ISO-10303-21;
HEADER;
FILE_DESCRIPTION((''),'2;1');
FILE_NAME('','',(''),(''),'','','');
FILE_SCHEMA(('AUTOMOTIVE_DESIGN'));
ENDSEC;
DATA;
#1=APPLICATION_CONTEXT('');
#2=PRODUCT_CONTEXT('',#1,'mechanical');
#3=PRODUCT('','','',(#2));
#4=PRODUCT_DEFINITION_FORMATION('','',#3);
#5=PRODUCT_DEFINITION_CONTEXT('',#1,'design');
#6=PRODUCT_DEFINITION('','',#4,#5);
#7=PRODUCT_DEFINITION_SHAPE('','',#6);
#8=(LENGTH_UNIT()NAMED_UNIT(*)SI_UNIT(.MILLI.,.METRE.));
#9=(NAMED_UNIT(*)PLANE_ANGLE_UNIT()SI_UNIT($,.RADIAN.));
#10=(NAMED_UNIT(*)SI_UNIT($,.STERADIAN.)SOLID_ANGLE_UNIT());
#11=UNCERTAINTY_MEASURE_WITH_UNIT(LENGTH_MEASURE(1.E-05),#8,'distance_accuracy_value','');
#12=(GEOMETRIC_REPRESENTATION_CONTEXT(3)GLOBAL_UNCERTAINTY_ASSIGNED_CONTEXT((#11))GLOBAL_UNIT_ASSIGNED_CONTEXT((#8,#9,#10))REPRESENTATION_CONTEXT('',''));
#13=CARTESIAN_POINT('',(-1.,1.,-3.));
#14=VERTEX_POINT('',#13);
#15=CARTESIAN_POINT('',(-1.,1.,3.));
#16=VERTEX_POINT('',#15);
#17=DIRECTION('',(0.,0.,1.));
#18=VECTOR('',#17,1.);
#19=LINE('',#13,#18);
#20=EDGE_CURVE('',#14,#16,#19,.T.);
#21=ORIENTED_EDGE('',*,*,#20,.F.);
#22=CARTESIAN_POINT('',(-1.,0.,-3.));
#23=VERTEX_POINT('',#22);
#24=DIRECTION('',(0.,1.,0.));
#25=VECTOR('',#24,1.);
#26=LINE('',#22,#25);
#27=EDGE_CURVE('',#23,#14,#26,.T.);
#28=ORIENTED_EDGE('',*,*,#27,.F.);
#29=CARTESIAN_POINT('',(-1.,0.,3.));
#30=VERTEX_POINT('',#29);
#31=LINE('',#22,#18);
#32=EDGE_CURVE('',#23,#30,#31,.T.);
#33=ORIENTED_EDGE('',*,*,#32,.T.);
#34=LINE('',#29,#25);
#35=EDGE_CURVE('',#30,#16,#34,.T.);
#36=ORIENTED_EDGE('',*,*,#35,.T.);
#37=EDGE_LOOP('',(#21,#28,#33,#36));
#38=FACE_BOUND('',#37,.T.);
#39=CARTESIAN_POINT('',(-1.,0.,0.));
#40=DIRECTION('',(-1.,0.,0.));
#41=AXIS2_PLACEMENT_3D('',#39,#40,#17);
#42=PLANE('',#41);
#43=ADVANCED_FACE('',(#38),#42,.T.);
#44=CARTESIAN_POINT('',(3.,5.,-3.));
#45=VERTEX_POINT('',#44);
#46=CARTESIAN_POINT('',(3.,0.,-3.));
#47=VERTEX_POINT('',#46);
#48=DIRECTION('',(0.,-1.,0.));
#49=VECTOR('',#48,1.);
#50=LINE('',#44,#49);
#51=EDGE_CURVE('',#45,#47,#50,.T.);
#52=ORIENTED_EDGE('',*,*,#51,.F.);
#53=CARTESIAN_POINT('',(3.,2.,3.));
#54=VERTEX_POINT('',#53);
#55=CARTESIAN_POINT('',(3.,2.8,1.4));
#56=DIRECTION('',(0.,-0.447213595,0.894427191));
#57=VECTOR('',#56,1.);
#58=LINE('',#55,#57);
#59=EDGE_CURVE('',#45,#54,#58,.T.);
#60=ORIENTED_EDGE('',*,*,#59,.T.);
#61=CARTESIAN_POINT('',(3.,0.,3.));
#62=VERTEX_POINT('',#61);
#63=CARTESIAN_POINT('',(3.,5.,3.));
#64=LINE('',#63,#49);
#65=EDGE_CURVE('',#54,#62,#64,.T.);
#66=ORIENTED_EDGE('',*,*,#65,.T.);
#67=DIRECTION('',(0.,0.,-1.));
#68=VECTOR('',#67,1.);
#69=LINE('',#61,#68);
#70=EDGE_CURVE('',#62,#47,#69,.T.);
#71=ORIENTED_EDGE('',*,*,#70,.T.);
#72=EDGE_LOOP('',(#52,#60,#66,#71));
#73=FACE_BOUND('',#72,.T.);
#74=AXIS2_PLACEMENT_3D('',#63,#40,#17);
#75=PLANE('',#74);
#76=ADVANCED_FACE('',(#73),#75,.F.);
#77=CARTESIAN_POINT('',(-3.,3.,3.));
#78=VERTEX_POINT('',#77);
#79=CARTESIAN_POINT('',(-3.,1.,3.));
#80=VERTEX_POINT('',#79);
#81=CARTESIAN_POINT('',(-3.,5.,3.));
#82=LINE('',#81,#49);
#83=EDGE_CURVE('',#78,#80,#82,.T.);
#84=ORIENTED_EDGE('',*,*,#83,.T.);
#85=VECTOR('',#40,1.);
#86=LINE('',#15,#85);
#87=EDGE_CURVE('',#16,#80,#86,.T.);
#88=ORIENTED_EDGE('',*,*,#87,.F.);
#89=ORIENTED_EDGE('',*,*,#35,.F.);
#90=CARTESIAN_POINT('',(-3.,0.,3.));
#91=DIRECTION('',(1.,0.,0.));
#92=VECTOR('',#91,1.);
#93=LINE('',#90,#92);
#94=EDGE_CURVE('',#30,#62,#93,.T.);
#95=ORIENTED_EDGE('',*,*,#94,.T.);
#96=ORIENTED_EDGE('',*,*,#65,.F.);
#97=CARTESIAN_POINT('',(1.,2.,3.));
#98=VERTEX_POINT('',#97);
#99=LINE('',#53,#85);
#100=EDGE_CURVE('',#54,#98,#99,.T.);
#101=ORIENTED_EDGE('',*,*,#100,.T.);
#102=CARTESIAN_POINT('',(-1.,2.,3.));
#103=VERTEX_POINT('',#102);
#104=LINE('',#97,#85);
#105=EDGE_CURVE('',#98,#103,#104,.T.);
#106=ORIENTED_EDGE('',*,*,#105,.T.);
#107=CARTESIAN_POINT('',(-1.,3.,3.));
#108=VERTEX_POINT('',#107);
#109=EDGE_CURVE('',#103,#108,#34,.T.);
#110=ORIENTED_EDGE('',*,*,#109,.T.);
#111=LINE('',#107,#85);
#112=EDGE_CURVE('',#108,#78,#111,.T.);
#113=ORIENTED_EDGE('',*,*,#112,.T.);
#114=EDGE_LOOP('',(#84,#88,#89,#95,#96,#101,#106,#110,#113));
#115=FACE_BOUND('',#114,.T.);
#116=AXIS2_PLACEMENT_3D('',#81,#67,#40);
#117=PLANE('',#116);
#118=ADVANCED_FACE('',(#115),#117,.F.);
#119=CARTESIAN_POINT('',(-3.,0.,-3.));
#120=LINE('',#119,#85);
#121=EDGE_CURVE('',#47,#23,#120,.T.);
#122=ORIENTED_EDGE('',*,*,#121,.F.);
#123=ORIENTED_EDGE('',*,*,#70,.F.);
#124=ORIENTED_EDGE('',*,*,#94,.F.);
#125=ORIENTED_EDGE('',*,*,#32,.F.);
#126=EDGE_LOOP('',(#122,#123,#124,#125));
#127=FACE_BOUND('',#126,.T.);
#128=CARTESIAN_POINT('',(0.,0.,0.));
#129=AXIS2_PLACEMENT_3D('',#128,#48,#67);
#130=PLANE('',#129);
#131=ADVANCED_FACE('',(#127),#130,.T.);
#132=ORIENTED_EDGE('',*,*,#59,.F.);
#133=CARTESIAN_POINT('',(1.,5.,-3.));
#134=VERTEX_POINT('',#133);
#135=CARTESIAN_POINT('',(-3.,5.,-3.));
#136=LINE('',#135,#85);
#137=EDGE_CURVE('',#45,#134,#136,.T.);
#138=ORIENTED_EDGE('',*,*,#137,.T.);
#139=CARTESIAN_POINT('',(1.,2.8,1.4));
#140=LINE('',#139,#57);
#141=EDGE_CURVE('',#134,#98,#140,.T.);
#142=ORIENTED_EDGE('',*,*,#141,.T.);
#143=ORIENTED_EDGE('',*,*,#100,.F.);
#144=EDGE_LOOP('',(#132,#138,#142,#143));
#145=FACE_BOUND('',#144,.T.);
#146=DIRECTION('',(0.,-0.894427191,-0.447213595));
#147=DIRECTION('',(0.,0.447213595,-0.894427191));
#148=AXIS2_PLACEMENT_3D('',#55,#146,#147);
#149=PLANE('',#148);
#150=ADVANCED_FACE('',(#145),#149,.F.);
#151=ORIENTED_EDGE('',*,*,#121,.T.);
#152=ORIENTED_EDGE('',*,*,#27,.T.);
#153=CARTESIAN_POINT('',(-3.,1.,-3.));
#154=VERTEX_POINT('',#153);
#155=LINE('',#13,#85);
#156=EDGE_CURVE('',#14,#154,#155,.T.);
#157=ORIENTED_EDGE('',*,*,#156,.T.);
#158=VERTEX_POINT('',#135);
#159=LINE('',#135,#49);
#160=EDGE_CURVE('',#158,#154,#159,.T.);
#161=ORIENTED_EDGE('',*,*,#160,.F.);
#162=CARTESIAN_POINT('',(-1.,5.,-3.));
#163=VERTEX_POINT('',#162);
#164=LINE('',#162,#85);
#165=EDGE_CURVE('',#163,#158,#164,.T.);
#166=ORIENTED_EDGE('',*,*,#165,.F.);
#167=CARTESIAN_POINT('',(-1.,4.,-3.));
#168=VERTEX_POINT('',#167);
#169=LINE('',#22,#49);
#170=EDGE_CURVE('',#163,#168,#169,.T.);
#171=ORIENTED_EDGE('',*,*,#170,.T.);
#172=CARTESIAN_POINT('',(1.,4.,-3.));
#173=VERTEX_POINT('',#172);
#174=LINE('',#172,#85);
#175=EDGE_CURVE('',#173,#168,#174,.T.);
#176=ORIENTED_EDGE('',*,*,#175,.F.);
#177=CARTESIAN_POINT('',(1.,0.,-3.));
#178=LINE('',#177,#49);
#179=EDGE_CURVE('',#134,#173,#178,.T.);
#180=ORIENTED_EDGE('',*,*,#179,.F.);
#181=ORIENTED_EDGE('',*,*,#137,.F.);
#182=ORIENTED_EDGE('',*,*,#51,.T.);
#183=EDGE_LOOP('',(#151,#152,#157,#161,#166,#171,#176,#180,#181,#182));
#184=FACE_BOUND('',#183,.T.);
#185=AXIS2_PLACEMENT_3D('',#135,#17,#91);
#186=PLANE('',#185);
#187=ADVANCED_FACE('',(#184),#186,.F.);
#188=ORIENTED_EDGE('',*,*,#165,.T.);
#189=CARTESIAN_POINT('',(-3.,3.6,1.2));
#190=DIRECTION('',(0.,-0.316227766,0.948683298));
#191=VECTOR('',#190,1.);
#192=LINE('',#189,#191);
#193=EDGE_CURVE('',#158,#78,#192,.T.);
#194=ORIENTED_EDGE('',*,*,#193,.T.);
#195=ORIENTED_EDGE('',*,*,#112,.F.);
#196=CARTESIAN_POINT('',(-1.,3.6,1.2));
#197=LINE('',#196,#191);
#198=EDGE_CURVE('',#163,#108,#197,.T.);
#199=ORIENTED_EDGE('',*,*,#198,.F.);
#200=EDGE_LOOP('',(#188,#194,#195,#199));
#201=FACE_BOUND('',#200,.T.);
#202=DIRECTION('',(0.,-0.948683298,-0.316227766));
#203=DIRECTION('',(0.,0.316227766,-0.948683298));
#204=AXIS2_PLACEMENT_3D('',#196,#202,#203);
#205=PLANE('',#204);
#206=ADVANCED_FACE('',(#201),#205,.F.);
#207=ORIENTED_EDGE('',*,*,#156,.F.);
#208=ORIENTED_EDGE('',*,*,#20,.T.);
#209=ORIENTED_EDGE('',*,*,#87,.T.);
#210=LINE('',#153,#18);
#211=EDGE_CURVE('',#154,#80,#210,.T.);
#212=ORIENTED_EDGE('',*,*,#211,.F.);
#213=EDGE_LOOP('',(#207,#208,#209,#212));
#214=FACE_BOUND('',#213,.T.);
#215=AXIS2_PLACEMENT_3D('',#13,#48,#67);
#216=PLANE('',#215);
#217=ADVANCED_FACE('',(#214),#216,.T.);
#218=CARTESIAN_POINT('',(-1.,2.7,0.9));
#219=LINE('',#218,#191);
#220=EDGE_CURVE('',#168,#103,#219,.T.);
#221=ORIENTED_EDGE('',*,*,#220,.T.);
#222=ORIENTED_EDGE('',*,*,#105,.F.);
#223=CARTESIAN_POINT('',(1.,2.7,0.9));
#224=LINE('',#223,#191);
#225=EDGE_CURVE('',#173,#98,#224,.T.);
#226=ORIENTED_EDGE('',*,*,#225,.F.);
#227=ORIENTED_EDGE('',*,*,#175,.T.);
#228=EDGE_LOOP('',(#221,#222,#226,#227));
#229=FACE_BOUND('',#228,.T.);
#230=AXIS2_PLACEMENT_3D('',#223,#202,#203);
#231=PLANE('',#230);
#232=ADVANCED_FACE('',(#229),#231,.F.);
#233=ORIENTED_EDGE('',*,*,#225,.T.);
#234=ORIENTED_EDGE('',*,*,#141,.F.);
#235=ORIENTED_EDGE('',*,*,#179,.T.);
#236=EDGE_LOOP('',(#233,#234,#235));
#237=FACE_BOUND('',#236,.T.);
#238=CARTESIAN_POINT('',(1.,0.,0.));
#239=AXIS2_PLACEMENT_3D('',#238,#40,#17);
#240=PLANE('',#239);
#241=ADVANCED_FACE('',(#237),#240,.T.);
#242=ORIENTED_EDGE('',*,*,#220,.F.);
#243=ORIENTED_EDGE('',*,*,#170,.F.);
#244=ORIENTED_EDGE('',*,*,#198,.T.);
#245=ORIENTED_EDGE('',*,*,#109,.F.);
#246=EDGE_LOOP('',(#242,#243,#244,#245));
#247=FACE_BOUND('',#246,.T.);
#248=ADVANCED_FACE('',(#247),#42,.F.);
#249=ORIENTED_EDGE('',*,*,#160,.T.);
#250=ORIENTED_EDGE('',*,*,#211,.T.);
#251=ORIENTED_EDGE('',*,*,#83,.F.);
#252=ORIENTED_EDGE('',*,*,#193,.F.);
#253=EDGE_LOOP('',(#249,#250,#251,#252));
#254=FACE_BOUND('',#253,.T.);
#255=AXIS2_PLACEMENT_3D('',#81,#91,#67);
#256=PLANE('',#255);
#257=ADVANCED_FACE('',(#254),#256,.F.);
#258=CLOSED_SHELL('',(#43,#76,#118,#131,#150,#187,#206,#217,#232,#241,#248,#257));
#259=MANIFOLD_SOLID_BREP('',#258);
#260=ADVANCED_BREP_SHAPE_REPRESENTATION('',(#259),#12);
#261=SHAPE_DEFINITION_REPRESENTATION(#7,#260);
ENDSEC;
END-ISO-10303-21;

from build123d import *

# Parameters (mm, degrees)
SKETCH1_W           = 6
SKETCH1_H           = 6
BOSS_EXTRUDE1_DEPTH = 5
SKETCH2_W           = 6
SKETCH2_H           = 1
CUT_EXTRUDE1_DEPTH  = 2
CUT_EXTRUDE2_DEPTH  = 2
CUT_EXTRUDE3_DEPTH  = 2


with BuildPart() as part:
    # Sketch1 → Boss-Extrude1 (new body)
    with BuildSketch(Plane(origin=(0, 0, 0), x_dir=(1, 0, 0), z_dir=(0, 1, 0))):
        Rectangle(SKETCH1_W, SKETCH1_H)
    extrude(amount=BOSS_EXTRUDE1_DEPTH)

    # Sketch2 → Cut-Extrude1 (cut)
    with BuildSketch(Plane.ZY.offset(3)):
        Polygon((3, 5), (-3, 5), (3, 3), align=None)
        with Locations((0, 0.5)):
            Rectangle(SKETCH2_W, SKETCH2_H)
    extrude(amount=-CUT_EXTRUDE1_DEPTH, mode=Mode.SUBTRACT)

    # Sketch3 → Cut-Extrude2 (cut)
    with BuildSketch(Plane.ZY.offset(1)):
        Polygon((-3, 5), (-3, 4), (3, 2), (3, 3), align=None)
        Polygon((3, 3), (3, 5), (-3, 5), align=None)
    extrude(amount=-CUT_EXTRUDE2_DEPTH, mode=Mode.SUBTRACT)

    # Sketch4 → Cut-Extrude3 (cut)
    with BuildSketch(Plane.ZY.offset(-1)):
        Polygon((-3, 5), (3, 2), (3, 5), align=None)
    extrude(amount=-CUT_EXTRUDE3_DEPTH, mode=Mode.SUBTRACT)


solid = part.part
